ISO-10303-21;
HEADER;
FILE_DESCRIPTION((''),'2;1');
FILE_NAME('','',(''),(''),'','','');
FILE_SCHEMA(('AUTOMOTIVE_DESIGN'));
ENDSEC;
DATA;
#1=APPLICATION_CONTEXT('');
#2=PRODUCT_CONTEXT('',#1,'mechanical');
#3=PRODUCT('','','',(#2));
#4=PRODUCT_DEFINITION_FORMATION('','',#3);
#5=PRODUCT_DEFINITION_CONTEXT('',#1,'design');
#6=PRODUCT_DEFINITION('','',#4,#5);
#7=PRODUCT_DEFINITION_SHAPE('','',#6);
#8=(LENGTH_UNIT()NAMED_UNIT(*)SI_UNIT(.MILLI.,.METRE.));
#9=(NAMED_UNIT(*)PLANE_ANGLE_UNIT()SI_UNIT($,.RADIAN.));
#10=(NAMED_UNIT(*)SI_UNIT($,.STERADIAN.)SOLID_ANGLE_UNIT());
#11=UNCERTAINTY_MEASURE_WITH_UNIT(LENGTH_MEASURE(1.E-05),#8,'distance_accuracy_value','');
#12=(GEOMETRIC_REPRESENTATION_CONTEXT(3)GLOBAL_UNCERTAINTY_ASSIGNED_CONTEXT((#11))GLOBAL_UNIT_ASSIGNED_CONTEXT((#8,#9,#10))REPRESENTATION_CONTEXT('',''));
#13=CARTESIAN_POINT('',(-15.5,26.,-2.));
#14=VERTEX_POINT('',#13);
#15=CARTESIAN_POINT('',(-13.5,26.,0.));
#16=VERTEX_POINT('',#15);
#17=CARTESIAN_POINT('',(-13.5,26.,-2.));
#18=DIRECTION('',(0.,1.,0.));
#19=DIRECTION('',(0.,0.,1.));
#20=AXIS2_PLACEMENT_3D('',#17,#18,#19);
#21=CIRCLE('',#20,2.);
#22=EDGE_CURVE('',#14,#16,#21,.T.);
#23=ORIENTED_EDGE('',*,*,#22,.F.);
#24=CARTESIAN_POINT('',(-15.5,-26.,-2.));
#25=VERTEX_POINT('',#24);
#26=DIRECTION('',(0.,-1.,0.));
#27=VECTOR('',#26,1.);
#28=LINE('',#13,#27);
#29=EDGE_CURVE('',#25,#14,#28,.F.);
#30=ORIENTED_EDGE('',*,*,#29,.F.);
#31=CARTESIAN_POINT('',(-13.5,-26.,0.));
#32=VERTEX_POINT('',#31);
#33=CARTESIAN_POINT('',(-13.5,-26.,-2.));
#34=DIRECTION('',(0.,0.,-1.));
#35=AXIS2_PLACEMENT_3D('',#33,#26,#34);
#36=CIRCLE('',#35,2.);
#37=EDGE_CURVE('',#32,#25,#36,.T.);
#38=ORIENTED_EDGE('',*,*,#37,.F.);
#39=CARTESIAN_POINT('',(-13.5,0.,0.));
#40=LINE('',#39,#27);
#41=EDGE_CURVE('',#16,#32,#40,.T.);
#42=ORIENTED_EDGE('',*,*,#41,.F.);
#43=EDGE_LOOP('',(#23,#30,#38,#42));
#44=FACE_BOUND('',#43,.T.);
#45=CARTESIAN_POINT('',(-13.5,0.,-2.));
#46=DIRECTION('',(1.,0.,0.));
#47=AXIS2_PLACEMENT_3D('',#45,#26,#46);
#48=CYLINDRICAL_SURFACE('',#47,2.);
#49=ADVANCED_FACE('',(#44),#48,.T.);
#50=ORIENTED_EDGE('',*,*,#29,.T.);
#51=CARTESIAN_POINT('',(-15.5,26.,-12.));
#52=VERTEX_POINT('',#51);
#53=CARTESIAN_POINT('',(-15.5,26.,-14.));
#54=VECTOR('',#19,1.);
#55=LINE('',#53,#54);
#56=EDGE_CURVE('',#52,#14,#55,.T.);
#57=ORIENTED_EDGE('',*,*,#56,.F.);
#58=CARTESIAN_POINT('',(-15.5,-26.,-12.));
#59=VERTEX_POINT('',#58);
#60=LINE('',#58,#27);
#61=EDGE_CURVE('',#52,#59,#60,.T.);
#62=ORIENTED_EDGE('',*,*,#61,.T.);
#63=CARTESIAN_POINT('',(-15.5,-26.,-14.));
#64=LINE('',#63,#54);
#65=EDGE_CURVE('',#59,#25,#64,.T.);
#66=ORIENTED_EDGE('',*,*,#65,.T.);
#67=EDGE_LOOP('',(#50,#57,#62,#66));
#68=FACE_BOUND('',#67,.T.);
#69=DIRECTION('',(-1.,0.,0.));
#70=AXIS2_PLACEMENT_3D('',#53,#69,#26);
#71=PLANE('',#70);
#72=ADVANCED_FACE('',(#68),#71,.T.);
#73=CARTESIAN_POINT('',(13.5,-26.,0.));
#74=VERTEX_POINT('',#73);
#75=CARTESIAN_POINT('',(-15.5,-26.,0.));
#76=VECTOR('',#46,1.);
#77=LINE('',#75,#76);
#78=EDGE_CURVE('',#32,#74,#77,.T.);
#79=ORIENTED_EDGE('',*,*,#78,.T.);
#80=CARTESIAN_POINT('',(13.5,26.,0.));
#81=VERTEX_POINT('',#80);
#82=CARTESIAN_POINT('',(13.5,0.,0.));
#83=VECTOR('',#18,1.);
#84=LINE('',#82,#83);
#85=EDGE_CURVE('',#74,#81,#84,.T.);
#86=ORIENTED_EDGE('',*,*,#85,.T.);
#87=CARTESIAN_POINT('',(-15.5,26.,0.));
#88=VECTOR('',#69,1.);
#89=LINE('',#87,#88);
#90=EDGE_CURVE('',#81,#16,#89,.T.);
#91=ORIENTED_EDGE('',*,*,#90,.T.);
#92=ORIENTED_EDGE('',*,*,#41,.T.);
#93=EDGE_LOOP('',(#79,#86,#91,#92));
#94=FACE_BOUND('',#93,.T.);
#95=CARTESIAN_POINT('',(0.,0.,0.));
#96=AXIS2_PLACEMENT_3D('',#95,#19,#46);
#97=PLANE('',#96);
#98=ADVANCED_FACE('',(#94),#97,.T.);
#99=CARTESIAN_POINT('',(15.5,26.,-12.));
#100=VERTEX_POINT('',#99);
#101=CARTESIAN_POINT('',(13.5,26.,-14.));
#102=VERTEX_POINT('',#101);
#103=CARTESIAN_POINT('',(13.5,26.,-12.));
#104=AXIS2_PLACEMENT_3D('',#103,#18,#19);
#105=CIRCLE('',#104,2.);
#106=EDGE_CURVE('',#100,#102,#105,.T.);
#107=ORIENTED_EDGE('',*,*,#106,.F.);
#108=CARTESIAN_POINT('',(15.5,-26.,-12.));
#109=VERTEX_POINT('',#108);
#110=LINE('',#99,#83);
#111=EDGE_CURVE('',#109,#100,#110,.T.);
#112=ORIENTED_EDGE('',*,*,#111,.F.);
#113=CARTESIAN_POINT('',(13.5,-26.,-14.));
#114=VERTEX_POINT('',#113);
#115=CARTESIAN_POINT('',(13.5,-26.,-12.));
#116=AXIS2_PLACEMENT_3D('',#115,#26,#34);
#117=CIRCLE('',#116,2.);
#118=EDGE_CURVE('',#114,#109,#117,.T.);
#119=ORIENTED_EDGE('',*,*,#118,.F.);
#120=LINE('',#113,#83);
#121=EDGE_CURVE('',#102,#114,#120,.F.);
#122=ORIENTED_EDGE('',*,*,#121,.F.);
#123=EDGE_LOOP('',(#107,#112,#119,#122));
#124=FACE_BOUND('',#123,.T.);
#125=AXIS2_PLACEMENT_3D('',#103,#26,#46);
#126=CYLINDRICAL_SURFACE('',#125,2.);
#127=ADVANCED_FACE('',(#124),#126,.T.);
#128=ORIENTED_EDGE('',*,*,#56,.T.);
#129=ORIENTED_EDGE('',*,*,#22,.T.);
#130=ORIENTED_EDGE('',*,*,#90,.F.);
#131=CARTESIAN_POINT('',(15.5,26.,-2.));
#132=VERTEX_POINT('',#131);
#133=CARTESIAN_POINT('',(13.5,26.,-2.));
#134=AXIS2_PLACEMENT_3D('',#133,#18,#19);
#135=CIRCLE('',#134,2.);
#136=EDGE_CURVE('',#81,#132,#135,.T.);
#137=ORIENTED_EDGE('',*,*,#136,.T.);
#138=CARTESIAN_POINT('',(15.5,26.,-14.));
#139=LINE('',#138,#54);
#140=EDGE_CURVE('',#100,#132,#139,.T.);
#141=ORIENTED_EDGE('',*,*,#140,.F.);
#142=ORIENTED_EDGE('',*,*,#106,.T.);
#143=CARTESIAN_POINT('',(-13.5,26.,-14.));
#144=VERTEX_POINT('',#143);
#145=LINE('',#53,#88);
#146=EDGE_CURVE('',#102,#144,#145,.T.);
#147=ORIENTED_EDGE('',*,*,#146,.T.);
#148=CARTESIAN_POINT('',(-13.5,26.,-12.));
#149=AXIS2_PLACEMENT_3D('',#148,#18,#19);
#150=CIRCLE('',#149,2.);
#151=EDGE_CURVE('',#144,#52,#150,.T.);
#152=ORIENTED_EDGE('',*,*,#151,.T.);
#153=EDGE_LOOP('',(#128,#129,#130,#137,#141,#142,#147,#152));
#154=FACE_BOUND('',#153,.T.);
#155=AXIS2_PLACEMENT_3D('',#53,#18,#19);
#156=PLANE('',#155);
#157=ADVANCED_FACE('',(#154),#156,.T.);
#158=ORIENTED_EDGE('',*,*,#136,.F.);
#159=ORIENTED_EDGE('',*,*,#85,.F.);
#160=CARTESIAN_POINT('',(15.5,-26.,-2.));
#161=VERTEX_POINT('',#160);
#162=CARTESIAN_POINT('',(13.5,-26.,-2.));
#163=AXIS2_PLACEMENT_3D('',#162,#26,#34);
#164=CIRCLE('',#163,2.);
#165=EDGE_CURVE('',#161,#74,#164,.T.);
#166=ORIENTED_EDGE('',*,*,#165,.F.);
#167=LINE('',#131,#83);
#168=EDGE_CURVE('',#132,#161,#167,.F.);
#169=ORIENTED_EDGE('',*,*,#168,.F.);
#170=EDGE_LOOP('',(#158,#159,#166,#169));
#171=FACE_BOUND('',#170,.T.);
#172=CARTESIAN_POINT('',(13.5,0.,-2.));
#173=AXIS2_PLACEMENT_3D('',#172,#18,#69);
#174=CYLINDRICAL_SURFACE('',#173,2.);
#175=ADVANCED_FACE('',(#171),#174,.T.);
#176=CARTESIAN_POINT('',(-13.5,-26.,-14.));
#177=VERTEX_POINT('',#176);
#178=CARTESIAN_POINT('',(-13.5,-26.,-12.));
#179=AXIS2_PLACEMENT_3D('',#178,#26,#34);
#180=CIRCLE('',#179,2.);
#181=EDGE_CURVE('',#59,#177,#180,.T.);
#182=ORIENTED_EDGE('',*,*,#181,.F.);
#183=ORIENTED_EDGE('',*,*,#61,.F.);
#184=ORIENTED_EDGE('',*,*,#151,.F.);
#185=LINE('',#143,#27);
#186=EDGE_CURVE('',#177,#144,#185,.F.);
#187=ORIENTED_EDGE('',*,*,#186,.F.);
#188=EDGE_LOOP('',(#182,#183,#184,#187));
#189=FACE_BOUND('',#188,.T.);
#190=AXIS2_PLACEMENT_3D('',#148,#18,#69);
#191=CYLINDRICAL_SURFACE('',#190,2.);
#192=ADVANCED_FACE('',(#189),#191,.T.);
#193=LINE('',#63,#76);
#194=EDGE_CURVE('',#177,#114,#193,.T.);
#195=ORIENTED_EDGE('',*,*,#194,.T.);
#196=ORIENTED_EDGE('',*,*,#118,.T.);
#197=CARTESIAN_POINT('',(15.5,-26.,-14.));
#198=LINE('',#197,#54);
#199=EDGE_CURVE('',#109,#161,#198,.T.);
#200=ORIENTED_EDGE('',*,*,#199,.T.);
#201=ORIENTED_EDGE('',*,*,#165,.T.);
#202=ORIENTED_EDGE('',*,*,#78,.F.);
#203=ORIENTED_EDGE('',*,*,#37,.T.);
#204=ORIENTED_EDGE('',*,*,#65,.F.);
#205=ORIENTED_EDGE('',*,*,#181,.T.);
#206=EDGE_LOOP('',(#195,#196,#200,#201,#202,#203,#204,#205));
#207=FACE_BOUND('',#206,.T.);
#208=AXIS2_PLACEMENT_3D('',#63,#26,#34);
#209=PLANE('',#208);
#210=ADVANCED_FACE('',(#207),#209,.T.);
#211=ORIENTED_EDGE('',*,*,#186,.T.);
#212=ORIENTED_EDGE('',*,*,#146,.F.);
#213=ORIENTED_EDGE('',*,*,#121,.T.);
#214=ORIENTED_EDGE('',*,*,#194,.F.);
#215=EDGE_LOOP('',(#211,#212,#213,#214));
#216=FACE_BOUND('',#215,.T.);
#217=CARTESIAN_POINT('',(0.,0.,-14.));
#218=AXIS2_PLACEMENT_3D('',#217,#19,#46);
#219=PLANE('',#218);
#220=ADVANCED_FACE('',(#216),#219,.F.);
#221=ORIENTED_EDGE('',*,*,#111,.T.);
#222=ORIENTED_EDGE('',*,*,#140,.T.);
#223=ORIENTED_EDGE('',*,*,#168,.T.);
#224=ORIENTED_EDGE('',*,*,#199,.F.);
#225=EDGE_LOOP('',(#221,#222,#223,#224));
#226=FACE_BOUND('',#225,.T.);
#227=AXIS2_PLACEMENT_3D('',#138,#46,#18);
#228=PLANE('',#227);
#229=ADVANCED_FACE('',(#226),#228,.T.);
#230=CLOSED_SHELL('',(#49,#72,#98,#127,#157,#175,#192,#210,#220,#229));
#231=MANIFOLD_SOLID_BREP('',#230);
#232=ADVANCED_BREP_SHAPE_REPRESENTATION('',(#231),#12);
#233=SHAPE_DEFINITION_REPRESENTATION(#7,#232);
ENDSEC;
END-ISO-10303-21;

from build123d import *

# Parameters (mm, degrees)
SKETCH1_W           = 31
SKETCH1_H           = 52
BOSS_EXTRUDE1_DEPTH = 14
FILLET1_R           = 2


with BuildPart() as part:
    # Sketch1 → Boss-Extrude1 (new body)
    with BuildSketch(Plane.XY):
        Rectangle(SKETCH1_W, SKETCH1_H)
    extrude(amount=-BOSS_EXTRUDE1_DEPTH)

    # Fillet1
    fillet1_edges = [part.edges().sort_by_distance(p)[0] for p in [
        (15.5, 0, -14),
        (-15.5, 0, -14),
        (15.5, 0, 0),
        (-15.5, 0, 0),
    ]]
    fillet(fillet1_edges, radius=FILLET1_R)


solid = part.part
